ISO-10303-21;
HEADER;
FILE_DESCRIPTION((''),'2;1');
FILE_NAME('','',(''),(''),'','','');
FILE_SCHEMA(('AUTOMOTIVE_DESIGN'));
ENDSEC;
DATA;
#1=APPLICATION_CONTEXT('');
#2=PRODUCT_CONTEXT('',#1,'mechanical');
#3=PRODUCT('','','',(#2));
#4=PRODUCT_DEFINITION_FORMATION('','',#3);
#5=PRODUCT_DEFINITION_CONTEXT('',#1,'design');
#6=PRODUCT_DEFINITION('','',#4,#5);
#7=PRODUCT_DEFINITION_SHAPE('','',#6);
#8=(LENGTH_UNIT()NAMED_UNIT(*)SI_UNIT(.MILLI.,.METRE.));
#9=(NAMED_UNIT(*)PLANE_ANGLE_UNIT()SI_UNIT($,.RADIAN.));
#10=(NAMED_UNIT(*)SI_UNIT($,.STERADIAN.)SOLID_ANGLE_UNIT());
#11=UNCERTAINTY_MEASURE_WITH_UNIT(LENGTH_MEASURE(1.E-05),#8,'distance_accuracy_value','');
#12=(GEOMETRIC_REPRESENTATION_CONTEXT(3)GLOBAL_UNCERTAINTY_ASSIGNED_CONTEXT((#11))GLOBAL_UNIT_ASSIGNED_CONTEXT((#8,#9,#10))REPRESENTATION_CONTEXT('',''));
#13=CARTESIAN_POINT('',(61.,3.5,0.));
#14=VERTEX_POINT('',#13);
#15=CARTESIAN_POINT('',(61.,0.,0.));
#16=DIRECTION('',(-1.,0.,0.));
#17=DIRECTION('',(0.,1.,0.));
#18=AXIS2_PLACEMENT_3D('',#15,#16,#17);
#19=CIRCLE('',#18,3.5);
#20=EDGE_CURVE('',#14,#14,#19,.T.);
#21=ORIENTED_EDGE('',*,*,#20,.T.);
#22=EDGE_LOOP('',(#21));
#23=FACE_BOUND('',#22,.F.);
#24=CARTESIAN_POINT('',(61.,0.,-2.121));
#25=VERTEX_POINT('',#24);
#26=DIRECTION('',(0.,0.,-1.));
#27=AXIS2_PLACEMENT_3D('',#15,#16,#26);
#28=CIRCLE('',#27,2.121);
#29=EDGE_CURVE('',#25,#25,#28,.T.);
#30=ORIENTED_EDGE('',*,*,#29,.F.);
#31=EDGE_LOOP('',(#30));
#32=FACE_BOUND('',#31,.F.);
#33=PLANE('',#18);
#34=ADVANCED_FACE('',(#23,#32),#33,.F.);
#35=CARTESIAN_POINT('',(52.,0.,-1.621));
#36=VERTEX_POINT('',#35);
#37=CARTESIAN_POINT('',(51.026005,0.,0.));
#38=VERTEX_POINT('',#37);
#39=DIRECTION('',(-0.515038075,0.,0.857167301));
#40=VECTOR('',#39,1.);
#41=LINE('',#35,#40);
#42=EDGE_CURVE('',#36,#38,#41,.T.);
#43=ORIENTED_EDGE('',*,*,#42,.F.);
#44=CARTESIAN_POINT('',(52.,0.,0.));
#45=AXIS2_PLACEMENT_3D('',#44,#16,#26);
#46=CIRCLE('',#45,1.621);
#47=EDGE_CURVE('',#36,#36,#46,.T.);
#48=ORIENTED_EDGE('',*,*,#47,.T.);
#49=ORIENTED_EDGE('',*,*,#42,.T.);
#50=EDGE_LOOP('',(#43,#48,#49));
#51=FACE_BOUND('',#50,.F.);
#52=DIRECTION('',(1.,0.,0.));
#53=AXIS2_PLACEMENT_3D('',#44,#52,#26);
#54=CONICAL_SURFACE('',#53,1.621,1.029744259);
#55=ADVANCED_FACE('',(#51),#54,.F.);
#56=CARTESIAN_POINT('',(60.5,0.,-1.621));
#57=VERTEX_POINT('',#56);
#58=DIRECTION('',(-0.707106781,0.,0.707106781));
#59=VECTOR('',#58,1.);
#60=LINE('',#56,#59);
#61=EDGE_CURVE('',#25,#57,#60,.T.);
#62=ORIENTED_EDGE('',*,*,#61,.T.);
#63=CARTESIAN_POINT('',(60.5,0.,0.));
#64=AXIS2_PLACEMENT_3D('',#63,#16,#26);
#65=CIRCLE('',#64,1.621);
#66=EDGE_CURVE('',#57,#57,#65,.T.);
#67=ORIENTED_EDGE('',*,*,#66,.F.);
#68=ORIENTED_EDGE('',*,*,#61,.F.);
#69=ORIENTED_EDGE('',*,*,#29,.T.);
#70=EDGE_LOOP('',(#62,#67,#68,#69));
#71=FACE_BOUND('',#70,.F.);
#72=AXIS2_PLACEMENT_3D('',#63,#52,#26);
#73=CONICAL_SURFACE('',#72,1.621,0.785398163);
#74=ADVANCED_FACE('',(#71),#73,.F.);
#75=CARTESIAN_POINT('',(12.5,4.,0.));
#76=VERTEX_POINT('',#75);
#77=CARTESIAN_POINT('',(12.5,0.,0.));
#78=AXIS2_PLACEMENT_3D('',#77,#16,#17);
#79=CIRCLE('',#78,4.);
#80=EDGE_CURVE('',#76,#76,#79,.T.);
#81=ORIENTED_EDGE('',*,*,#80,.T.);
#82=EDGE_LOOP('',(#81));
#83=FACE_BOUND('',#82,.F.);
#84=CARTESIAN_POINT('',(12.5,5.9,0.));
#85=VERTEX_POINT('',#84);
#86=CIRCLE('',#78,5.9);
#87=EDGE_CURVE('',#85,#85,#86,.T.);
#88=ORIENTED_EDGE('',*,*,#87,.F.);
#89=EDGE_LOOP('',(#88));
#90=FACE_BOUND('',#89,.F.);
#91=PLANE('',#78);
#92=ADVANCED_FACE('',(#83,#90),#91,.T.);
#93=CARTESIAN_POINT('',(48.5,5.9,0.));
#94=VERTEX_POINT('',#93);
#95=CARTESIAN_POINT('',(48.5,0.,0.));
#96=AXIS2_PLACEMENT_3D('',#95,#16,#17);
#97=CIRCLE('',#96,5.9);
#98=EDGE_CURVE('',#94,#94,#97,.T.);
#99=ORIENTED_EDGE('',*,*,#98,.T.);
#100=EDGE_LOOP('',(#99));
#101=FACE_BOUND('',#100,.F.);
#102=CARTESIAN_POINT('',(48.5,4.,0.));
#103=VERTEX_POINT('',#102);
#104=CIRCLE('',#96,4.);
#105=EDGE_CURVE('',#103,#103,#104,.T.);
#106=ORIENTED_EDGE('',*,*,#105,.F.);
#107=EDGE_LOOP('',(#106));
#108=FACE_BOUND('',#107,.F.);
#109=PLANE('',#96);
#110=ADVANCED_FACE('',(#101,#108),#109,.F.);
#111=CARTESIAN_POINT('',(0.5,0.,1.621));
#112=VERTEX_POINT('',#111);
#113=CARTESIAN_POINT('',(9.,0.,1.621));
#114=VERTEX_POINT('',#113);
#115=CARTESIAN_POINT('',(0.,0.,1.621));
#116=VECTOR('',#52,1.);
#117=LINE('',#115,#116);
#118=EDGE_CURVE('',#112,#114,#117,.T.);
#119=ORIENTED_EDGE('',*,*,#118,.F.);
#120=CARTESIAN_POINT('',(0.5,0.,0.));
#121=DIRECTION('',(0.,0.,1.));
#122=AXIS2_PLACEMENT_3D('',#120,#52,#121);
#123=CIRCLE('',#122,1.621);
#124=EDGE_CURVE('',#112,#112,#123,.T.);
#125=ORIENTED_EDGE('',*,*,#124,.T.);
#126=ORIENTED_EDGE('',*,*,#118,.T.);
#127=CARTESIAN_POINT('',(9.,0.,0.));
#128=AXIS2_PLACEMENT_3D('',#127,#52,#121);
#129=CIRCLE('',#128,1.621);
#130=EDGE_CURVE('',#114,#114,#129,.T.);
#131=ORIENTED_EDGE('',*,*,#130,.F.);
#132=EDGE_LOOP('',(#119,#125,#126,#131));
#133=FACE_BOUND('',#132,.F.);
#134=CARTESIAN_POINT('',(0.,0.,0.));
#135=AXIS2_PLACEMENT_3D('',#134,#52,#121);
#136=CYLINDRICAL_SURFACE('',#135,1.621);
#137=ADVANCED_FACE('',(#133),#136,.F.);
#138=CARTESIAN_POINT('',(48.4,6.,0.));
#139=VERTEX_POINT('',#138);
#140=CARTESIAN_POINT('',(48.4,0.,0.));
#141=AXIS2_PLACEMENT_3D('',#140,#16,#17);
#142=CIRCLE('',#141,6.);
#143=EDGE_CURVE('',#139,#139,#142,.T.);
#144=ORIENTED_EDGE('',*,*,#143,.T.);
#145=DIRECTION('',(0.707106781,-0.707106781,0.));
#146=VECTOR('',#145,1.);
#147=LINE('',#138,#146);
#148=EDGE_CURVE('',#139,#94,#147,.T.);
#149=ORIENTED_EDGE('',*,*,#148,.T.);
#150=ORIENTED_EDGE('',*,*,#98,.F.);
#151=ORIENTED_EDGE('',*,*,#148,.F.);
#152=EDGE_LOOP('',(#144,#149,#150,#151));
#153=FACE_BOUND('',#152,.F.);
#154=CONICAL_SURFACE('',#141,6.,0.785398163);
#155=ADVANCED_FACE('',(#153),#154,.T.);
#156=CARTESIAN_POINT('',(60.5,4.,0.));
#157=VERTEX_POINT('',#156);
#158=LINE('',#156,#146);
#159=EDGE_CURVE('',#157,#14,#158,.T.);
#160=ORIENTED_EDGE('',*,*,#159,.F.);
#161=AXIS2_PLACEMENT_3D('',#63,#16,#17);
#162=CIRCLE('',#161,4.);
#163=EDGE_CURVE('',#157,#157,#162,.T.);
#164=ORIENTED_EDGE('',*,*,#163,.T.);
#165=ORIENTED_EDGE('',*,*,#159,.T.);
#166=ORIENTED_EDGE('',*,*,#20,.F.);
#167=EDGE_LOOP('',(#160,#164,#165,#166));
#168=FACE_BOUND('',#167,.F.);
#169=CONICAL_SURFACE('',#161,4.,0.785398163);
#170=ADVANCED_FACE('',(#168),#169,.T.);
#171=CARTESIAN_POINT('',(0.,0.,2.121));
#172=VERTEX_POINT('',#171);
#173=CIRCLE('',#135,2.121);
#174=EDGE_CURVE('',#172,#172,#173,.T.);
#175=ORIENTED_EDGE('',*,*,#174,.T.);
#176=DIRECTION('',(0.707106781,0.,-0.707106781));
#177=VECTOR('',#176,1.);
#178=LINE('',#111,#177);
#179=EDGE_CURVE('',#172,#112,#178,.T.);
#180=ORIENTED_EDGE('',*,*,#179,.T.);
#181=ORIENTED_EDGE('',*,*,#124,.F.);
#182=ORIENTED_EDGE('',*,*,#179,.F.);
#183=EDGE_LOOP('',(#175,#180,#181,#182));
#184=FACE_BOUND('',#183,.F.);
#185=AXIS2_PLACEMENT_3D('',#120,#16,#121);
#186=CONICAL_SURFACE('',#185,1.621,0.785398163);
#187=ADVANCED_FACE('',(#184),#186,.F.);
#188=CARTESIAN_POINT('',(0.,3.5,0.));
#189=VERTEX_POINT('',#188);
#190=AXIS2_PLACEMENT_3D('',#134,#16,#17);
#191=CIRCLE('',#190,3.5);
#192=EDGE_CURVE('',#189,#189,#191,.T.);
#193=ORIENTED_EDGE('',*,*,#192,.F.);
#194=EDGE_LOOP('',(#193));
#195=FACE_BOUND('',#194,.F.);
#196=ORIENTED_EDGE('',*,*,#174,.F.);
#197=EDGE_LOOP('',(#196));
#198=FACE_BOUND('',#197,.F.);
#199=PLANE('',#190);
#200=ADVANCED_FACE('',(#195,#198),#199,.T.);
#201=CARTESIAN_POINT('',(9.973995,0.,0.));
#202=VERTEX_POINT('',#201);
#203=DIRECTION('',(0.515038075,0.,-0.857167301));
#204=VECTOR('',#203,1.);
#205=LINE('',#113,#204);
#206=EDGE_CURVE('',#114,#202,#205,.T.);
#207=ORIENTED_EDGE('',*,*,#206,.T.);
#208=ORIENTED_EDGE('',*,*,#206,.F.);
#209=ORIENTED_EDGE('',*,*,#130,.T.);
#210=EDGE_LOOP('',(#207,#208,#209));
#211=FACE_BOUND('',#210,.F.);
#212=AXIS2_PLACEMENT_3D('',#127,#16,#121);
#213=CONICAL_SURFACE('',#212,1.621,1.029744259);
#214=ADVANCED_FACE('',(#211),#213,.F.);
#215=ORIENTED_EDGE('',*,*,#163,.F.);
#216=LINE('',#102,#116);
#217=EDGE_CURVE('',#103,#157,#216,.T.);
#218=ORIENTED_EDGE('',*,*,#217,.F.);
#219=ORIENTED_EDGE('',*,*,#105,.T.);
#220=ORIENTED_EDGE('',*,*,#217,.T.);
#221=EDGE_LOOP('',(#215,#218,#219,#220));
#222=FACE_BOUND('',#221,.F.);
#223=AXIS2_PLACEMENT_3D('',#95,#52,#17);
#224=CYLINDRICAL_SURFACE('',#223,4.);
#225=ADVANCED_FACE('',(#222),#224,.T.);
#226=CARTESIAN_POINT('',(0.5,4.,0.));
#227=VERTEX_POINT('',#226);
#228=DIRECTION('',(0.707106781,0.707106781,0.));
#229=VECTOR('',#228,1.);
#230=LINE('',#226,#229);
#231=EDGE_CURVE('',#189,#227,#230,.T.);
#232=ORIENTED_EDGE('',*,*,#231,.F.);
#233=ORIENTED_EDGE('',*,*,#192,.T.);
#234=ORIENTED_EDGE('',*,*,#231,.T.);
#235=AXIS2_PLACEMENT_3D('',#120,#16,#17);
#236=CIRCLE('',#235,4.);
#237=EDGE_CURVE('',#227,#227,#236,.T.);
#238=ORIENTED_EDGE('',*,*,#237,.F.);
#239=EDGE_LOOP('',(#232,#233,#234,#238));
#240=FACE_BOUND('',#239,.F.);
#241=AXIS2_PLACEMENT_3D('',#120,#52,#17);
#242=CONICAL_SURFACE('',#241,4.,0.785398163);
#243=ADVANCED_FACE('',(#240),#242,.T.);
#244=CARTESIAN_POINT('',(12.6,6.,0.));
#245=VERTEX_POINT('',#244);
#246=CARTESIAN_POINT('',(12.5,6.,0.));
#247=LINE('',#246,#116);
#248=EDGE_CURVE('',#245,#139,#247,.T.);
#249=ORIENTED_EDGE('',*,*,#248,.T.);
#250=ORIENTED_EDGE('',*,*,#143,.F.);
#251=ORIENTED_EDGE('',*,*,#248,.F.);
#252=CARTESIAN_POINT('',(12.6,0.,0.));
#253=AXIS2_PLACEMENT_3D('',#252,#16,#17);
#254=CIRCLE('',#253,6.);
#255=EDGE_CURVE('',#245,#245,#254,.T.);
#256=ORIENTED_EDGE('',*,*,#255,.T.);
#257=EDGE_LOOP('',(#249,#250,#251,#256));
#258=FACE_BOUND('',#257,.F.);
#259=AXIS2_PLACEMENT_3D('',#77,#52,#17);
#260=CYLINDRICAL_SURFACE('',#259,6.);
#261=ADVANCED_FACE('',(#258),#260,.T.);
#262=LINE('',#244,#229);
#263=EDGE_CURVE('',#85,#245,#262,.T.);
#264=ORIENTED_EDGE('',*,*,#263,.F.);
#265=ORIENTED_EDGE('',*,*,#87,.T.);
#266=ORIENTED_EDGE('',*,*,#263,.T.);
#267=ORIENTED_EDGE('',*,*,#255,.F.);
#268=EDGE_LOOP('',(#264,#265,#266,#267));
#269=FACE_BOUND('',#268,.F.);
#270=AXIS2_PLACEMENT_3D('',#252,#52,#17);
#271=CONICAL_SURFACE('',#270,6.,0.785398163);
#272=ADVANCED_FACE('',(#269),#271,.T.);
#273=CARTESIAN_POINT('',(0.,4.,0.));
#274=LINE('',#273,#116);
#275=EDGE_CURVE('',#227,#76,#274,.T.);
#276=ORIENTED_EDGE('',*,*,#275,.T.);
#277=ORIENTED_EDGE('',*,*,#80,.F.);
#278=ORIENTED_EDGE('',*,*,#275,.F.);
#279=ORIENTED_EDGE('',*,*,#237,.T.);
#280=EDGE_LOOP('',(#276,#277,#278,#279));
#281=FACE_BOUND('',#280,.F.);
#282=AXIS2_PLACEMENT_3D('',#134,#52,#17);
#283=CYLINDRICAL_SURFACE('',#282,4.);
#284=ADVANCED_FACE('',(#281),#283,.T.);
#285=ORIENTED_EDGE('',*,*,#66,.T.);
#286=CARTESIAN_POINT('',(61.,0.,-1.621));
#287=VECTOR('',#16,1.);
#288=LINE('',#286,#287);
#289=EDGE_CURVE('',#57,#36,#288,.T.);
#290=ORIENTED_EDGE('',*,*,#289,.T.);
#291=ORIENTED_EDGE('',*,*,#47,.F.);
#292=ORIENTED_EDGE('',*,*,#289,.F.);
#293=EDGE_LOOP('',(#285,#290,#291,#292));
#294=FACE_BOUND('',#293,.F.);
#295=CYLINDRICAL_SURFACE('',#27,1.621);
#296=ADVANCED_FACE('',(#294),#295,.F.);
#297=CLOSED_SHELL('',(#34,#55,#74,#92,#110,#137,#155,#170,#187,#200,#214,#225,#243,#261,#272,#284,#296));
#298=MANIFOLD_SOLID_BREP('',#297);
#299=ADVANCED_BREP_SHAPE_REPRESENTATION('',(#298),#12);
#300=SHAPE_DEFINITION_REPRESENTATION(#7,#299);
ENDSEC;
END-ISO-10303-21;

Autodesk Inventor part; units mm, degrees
ref_plane "YZ Plane" through (0, 0, 0) normal (1, 0, 0) x (0, 1, 0)
ref_plane "XZ Plane" through (0, 0, 0) normal (0, 1, 0) x (-1, 0, 0)
ref_plane "XY Plane" through (0, 0, 0) normal (0, 0, 1) x (1, 0, 0)
sketch "Skizze1" plane through (0, 0, 0) normal (0, 0, 1) x (1, 0, 0)
  line L0 (0, 0) -> (0, 4)
  line L1 (0, 4) -> (12.5, 4)
  line L2 (12.5, 4) -> (12.5, 6)
  line L3 (12.5, 6) -> (48.5, 6)
  line L4 (48.5, 6) -> (48.5, 4)
  line L5 (48.5, 4) -> (61, 4)
  line L6 (61, 4) -> (61, 0)
  line L7 (61, 0) -> (0, 0)
  dimension "d1" = 12.5
  dimension "d2" = 12.5
  dimension "d3" = 8
  dimension "d4" = 12
  dimension "d29" = 36
revolve "Umdrehung1" add sketch "Skizze1" angle 360 about axis through (61, 0, 0) along (-1, 0, 0)
sketch "Skizze2" plane through (0, 0, 0) normal (-1, 0, 0) x (0, 0, 1)
  point P0 (0, 0)
  point P1 (0, 0)
sketch "Skizze3" plane through (61, 0, 0) normal (1, 0, 0) x (0, 0, -1)
  point P0 (0, 0)
  point P1 (0, 0)
hole "Bohrung1" at (61, 0, 0) direction (-1, 0, 0) diameter 3.242 depth 9 tip angle 118 thread size "M4x0.7" class "6H" standard "ISO Metric profile"
hole "Bohrung2" at (0, 0, 0) direction (1, 0, 0) diameter 3.242 depth 9 tip angle 118 thread size "M4x0.7" class "6H" standard "ISO Metric profile"
chamfer "Fase1" distance 0.5 angle 45 4 edges at (0, -4, 0) (61, -4, 0) (61, 0, 1.621) (0, 0, -1.621)
chamfer "Fase2" distance 0.1 angle 45 2 edges at (48.5, -6, 0) (12.5, -6, 0)
ref_plane "Arbeitsebene1" through (30.5, 0, 0) normal (-1, 0, 0) x (0, 0, 1)
equation "\"d1\" = d2"
equation "\"d29\" = MainAxis_Schluesselweite + 2 * ParallelMecha_Bearing_Step_Thickness"
equation "\"ParallelLink_BearingStep_Height\" = 5"
equation "\"ParallelMech_Distance_Step2Flat\" = 14"
equation "\"ParallelLink_Lever_Thickness_1\" = 8"
equation "\"ParallelMecha_Bearing_Step_Thickness\" = 6"
equation "\"MainAxis_Schluesselweite\" = 24"
properties part number "ParallelSystem_ProximalPart_Querstreben_v2_Rillenkugellager" material "Edelstahl"
